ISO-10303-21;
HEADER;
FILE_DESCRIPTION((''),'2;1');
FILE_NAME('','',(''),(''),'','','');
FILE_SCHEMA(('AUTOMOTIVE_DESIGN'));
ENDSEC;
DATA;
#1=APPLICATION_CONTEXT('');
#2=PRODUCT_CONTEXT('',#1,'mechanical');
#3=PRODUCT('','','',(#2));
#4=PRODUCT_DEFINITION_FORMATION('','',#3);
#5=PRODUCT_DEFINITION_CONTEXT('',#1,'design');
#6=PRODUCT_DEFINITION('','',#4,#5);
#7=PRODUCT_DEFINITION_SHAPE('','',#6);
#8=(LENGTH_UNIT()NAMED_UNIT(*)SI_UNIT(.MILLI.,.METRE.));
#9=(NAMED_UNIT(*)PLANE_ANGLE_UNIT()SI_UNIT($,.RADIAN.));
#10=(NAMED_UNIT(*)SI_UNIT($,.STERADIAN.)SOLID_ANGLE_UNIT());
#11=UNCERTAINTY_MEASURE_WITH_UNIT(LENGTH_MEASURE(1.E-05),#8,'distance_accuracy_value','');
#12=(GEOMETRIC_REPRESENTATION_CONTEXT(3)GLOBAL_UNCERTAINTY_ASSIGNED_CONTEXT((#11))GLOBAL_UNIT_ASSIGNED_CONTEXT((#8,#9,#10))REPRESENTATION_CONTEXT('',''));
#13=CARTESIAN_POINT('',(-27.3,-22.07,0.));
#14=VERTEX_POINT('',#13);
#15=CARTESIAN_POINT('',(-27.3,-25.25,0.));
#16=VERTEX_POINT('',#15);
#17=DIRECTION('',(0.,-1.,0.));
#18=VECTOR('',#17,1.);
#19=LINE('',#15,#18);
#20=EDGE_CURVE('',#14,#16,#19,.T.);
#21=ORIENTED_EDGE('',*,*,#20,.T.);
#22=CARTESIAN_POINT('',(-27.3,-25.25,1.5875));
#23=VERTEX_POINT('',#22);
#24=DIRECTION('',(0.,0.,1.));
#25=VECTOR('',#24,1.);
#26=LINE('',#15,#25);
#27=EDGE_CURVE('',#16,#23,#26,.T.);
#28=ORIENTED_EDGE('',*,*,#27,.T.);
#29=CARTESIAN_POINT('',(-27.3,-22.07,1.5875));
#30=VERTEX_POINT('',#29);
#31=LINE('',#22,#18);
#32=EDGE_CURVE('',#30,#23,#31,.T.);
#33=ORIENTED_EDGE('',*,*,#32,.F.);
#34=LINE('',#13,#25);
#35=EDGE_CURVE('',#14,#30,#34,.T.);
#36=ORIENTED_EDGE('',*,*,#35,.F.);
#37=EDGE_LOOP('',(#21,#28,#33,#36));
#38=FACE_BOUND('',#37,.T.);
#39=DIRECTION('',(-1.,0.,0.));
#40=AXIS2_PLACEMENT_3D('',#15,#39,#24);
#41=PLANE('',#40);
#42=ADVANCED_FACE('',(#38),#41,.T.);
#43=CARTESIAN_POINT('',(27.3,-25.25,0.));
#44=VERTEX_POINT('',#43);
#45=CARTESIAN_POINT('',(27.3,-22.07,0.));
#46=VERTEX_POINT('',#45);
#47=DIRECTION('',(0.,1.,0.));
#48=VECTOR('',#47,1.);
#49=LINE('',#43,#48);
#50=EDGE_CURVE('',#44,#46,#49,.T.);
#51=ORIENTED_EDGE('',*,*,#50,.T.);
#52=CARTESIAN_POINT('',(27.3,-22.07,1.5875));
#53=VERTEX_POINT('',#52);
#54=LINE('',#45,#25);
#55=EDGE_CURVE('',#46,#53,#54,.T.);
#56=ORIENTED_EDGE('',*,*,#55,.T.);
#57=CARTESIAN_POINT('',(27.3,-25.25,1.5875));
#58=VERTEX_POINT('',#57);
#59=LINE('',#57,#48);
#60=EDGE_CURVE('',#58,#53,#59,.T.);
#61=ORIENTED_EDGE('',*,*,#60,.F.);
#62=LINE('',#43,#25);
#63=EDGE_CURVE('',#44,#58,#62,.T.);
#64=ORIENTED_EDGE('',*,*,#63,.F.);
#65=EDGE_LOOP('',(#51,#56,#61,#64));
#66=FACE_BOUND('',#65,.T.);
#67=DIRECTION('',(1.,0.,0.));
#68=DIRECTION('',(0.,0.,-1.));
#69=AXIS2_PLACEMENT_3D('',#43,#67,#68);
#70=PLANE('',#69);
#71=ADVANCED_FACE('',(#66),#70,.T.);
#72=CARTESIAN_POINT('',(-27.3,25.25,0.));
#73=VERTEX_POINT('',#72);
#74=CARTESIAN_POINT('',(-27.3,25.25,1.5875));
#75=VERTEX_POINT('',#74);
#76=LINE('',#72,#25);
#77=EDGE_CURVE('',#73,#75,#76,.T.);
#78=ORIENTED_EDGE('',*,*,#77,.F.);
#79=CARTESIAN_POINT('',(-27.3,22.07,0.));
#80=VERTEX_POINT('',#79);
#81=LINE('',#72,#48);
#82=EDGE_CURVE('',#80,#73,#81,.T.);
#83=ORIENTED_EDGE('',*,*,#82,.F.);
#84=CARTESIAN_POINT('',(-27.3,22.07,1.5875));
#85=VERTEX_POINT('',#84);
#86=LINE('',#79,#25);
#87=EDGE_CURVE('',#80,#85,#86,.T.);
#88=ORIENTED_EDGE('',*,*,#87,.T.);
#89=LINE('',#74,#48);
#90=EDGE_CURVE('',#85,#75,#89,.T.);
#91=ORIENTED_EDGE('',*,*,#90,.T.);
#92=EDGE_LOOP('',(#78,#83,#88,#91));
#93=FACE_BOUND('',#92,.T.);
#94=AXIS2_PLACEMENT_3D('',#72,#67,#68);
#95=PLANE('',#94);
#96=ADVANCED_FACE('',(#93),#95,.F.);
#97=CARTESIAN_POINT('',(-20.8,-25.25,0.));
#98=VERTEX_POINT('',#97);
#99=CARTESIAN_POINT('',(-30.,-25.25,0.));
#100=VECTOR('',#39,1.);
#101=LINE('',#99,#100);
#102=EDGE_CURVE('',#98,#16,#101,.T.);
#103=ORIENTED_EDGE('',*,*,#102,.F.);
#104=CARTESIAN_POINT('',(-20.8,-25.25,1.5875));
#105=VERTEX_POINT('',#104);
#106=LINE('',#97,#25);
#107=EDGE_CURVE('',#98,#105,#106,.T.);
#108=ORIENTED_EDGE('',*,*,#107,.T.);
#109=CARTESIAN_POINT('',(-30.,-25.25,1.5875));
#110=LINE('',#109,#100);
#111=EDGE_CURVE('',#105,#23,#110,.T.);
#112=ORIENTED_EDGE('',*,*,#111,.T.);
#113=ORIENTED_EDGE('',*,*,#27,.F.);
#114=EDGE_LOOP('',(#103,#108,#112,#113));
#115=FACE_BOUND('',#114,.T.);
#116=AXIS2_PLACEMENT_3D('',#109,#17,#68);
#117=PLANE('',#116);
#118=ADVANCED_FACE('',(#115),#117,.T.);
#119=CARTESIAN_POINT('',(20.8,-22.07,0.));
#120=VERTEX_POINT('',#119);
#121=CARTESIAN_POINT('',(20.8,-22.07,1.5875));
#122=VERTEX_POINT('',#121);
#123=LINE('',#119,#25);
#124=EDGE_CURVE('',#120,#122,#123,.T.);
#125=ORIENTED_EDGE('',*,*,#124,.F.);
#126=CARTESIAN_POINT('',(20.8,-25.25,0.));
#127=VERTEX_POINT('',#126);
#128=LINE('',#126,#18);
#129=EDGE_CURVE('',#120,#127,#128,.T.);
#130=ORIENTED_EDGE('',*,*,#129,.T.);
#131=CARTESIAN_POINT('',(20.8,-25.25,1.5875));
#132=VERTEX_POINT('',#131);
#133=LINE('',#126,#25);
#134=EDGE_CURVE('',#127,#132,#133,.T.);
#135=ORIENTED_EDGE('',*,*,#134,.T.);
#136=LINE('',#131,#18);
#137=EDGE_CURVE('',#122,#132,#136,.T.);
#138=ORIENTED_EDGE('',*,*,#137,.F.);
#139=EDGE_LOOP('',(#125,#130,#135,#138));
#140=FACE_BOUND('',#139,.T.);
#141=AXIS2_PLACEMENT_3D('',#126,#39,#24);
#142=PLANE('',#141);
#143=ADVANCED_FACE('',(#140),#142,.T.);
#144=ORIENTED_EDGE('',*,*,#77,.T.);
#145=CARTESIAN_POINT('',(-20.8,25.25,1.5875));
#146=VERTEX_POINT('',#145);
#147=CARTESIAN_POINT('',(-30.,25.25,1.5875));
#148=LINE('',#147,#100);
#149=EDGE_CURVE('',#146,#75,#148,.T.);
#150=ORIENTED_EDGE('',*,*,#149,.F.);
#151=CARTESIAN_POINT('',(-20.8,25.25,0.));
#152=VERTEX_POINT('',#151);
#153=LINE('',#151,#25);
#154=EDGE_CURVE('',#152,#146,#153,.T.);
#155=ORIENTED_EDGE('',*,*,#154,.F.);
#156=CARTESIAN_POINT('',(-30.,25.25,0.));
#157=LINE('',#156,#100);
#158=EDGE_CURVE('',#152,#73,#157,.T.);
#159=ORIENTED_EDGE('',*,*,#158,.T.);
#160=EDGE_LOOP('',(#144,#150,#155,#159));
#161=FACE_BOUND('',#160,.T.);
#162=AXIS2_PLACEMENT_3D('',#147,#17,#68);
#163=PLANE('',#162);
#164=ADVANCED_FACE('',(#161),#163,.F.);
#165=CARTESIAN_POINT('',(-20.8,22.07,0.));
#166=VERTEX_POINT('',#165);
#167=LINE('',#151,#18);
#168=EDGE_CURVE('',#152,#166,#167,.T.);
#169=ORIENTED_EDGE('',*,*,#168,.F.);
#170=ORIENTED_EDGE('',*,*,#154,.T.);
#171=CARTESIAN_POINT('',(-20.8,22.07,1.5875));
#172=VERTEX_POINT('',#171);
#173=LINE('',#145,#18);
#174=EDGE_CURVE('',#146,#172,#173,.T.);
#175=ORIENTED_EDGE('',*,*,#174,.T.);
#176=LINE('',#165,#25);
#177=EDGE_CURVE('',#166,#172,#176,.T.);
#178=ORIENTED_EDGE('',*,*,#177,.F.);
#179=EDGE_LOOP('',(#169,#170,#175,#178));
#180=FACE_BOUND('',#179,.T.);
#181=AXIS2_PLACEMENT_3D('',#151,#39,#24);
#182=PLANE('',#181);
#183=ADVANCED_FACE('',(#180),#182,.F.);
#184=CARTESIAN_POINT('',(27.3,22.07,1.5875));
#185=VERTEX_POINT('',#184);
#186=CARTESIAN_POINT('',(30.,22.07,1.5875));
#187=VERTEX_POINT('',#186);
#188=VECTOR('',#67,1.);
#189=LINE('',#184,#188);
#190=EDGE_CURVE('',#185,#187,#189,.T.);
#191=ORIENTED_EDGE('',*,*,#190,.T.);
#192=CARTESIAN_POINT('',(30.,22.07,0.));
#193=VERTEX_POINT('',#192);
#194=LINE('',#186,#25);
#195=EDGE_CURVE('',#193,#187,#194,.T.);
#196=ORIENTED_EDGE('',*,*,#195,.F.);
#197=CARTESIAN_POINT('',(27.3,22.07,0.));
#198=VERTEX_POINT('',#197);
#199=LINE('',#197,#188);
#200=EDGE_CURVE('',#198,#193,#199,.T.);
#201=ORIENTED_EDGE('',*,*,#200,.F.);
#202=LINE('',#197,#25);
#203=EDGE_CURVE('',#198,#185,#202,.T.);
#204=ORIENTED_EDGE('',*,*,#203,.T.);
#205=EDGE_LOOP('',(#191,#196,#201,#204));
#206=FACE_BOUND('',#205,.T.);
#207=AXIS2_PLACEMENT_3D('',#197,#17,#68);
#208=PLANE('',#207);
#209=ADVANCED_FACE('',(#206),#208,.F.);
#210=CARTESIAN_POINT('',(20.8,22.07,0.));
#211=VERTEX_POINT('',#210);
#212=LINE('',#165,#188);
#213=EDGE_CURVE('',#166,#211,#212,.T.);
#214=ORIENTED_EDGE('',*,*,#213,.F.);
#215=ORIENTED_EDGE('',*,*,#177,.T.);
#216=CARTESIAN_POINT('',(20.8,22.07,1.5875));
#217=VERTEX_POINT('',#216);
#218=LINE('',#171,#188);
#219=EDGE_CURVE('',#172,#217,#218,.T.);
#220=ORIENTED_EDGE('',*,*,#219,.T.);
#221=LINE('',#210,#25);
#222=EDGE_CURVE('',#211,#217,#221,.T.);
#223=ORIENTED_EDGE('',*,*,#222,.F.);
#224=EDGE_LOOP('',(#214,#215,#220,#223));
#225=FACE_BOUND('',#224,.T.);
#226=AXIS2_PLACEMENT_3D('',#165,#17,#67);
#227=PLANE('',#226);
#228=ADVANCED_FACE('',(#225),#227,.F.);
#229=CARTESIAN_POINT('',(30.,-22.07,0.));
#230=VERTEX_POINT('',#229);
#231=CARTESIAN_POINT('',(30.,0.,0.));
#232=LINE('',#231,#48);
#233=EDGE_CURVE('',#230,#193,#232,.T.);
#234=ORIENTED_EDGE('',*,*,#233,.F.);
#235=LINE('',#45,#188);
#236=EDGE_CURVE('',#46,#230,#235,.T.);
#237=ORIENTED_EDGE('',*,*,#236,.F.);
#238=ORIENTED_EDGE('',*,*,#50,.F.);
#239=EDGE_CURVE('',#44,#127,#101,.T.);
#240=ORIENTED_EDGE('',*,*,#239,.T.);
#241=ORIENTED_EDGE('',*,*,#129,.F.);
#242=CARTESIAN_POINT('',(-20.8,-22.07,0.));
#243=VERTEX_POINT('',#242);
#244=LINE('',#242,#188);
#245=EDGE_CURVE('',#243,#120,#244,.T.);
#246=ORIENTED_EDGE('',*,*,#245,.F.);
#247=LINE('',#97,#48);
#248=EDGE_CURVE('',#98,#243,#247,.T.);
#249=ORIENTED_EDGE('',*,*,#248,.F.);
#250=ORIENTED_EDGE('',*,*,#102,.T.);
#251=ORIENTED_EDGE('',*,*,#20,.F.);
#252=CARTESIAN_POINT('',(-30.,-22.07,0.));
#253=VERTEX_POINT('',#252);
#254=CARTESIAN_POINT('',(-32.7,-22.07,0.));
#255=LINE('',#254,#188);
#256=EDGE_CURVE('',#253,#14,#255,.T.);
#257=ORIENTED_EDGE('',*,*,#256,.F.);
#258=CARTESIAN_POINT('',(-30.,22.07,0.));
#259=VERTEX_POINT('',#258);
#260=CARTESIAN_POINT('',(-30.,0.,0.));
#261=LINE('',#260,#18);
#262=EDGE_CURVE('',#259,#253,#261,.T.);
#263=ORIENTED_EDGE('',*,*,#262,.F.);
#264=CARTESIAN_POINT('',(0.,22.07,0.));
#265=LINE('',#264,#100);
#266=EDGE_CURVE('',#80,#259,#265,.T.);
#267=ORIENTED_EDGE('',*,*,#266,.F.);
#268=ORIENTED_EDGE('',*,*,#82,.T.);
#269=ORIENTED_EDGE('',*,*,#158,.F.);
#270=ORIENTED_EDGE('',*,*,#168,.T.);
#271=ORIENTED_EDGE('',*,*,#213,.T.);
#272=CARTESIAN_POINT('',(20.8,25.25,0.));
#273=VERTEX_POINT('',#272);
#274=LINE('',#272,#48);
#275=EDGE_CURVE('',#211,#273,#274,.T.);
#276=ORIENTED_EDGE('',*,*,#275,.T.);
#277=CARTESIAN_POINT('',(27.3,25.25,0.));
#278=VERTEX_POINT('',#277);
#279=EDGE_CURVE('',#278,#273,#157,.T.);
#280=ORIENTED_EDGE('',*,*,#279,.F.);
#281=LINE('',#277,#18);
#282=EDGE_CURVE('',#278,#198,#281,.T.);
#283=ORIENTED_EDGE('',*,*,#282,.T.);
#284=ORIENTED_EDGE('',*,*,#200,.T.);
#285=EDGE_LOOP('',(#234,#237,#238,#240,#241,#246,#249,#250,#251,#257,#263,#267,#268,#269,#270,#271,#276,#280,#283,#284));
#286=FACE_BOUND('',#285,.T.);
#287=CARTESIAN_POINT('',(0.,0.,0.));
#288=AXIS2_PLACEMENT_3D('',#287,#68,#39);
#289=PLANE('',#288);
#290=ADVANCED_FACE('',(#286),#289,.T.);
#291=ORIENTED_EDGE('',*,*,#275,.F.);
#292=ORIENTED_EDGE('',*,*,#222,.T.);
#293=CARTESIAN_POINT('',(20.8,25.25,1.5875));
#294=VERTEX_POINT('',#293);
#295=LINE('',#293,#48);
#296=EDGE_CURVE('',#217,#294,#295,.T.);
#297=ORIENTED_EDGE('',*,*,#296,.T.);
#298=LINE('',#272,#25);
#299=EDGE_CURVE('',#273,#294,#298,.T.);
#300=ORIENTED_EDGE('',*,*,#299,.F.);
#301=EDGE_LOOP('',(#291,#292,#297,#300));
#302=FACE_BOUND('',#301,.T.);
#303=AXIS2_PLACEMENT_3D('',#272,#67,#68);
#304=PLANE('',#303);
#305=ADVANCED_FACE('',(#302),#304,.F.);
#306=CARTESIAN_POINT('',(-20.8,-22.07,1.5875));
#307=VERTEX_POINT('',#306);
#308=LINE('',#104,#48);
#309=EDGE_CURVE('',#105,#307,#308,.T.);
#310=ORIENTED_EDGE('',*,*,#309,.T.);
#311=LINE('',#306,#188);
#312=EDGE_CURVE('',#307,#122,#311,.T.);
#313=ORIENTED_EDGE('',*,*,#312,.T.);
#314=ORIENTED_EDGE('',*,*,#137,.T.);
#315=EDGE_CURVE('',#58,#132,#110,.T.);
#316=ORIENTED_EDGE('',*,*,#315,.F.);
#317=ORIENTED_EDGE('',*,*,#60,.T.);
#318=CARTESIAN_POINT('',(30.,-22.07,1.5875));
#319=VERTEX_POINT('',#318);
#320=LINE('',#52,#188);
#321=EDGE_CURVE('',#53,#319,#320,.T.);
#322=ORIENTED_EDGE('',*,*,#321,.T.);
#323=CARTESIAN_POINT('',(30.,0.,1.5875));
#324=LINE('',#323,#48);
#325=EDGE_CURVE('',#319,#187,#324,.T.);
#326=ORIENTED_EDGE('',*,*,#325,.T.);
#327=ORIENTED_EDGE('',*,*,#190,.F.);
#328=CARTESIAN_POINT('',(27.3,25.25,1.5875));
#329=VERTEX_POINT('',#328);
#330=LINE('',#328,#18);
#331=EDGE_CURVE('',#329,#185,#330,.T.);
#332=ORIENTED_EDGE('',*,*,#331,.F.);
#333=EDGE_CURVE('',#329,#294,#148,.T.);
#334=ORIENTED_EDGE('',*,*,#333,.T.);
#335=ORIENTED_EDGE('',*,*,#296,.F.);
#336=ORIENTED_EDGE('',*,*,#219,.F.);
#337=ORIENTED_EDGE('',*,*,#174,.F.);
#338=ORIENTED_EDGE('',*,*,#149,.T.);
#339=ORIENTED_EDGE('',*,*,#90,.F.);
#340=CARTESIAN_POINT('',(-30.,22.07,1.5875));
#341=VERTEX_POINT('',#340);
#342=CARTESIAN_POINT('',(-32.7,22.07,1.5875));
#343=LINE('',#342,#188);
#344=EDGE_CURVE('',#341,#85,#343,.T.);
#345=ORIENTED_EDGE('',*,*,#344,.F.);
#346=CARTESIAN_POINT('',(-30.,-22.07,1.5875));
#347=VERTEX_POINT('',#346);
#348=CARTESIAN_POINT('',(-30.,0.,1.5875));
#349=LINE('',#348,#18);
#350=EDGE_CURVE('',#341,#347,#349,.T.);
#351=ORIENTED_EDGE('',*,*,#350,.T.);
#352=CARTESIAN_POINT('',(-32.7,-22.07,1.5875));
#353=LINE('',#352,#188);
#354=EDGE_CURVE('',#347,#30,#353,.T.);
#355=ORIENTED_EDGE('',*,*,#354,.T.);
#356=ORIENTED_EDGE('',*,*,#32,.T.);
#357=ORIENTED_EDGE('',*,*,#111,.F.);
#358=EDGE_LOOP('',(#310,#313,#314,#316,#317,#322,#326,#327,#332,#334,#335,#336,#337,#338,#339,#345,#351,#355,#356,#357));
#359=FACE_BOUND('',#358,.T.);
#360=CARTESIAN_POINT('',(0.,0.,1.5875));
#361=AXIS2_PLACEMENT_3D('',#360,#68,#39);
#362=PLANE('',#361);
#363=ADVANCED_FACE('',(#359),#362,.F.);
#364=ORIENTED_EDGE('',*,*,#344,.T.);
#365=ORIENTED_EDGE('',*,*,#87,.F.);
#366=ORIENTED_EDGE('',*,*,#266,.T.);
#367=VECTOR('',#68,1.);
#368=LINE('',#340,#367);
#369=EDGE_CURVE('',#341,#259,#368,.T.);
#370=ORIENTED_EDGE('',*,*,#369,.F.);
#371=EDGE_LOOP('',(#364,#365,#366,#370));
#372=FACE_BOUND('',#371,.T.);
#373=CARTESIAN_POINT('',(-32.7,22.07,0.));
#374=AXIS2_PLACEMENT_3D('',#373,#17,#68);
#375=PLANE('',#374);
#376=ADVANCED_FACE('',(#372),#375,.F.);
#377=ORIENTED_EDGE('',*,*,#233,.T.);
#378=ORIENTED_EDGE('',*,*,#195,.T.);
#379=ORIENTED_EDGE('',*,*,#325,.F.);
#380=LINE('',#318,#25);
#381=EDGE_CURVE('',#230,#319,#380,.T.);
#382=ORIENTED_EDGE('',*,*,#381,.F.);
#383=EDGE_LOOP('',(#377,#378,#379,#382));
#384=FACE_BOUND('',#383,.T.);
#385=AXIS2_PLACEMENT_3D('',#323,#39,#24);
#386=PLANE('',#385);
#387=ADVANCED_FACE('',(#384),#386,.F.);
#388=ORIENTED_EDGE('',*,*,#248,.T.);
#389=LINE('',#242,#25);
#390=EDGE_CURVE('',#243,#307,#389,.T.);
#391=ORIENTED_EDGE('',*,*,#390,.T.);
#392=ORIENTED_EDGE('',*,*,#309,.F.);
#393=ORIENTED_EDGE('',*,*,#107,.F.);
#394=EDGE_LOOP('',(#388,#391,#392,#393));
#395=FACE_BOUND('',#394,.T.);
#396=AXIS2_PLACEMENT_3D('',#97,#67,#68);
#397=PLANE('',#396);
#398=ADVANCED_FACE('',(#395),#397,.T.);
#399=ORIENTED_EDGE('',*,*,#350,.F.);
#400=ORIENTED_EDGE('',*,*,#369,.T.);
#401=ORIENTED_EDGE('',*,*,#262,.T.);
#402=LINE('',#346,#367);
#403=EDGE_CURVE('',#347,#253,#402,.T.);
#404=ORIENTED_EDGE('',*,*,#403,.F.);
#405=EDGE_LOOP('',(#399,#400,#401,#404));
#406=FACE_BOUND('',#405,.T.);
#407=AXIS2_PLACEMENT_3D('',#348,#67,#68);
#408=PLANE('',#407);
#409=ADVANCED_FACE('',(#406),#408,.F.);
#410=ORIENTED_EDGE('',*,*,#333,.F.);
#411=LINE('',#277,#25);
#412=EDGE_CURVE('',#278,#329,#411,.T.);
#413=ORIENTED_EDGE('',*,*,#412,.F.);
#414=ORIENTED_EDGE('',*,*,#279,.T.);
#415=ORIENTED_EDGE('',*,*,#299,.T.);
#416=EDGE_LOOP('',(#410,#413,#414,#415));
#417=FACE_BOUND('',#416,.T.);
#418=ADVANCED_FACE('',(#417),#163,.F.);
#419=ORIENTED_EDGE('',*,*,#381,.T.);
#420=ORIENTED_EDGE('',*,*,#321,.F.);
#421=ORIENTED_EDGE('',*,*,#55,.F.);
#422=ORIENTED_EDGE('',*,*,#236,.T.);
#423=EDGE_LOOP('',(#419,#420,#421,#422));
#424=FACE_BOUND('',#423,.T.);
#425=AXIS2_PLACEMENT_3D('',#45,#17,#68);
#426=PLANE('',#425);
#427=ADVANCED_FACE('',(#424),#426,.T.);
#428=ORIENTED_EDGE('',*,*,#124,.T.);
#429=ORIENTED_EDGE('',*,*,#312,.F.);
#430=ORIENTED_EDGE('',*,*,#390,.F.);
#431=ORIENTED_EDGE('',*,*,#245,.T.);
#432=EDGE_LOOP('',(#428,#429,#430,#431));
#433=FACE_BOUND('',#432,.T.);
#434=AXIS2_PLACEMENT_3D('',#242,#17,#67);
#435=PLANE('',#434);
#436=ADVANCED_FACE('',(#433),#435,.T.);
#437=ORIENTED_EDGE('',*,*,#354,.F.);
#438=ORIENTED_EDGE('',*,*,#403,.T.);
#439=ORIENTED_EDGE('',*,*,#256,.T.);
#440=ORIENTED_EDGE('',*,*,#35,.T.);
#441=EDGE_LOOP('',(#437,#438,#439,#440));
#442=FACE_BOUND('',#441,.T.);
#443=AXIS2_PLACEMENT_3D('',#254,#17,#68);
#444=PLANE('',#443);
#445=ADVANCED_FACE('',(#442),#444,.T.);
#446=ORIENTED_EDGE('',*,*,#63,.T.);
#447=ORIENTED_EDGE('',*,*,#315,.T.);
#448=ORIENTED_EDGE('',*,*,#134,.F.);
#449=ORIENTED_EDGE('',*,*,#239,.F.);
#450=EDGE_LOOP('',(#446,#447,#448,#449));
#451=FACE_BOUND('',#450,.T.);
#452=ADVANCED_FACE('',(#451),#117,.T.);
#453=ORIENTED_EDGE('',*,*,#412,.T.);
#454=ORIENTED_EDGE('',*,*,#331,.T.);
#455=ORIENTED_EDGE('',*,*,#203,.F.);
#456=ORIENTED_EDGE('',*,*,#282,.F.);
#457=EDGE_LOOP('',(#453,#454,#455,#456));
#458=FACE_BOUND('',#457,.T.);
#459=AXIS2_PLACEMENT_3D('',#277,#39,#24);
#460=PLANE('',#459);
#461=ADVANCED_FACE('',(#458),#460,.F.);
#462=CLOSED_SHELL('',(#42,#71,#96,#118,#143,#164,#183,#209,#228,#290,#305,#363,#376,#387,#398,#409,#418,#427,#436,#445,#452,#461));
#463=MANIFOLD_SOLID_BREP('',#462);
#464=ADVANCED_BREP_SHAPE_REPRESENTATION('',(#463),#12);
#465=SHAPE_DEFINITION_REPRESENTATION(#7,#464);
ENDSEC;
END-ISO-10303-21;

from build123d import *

# Parameters (mm, degrees)
SKETCH1_W           = 60
SKETCH1_H           = 25.25
BOSS_EXTRUDE1_DEPTH = 1.5875
SKETCH2_W           = 41.6
SKETCH2_H           = 3.18
SKETCH2_W_2         = 5.4
CUT_EXTRUDE1_DEPTH  = 1.5875


with BuildPart() as part:
    # Sketch1 → Boss-Extrude1 (new body)
    with BuildSketch(Plane.XY):
        with Locations((0, 12.625)):
            Rectangle(SKETCH1_W, SKETCH1_H)
    boss_extrude1 = extrude(amount=BOSS_EXTRUDE1_DEPTH)

    # Sketch2 → Cut-Extrude1 (cut)
    with BuildSketch(Plane.XY.offset(1.5875)):
        with Locations((0, 23.66)):
            Rectangle(SKETCH2_W, SKETCH2_H)
        with Locations((30, 23.66)):
            Rectangle(SKETCH2_W_2, SKETCH2_H)
        with Locations((-30, 23.66)):
            Rectangle(SKETCH2_W_2, SKETCH2_H)
    cut_extrude1 = extrude(amount=-CUT_EXTRUDE1_DEPTH, mode=Mode.SUBTRACT)

    # Mirror1: Boss-Extrude1, Cut-Extrude1 across plane
    add(boss_extrude1.mirror(Plane.ZX))
    add(cut_extrude1.mirror(Plane.ZX), mode=Mode.SUBTRACT)


solid = part.part
